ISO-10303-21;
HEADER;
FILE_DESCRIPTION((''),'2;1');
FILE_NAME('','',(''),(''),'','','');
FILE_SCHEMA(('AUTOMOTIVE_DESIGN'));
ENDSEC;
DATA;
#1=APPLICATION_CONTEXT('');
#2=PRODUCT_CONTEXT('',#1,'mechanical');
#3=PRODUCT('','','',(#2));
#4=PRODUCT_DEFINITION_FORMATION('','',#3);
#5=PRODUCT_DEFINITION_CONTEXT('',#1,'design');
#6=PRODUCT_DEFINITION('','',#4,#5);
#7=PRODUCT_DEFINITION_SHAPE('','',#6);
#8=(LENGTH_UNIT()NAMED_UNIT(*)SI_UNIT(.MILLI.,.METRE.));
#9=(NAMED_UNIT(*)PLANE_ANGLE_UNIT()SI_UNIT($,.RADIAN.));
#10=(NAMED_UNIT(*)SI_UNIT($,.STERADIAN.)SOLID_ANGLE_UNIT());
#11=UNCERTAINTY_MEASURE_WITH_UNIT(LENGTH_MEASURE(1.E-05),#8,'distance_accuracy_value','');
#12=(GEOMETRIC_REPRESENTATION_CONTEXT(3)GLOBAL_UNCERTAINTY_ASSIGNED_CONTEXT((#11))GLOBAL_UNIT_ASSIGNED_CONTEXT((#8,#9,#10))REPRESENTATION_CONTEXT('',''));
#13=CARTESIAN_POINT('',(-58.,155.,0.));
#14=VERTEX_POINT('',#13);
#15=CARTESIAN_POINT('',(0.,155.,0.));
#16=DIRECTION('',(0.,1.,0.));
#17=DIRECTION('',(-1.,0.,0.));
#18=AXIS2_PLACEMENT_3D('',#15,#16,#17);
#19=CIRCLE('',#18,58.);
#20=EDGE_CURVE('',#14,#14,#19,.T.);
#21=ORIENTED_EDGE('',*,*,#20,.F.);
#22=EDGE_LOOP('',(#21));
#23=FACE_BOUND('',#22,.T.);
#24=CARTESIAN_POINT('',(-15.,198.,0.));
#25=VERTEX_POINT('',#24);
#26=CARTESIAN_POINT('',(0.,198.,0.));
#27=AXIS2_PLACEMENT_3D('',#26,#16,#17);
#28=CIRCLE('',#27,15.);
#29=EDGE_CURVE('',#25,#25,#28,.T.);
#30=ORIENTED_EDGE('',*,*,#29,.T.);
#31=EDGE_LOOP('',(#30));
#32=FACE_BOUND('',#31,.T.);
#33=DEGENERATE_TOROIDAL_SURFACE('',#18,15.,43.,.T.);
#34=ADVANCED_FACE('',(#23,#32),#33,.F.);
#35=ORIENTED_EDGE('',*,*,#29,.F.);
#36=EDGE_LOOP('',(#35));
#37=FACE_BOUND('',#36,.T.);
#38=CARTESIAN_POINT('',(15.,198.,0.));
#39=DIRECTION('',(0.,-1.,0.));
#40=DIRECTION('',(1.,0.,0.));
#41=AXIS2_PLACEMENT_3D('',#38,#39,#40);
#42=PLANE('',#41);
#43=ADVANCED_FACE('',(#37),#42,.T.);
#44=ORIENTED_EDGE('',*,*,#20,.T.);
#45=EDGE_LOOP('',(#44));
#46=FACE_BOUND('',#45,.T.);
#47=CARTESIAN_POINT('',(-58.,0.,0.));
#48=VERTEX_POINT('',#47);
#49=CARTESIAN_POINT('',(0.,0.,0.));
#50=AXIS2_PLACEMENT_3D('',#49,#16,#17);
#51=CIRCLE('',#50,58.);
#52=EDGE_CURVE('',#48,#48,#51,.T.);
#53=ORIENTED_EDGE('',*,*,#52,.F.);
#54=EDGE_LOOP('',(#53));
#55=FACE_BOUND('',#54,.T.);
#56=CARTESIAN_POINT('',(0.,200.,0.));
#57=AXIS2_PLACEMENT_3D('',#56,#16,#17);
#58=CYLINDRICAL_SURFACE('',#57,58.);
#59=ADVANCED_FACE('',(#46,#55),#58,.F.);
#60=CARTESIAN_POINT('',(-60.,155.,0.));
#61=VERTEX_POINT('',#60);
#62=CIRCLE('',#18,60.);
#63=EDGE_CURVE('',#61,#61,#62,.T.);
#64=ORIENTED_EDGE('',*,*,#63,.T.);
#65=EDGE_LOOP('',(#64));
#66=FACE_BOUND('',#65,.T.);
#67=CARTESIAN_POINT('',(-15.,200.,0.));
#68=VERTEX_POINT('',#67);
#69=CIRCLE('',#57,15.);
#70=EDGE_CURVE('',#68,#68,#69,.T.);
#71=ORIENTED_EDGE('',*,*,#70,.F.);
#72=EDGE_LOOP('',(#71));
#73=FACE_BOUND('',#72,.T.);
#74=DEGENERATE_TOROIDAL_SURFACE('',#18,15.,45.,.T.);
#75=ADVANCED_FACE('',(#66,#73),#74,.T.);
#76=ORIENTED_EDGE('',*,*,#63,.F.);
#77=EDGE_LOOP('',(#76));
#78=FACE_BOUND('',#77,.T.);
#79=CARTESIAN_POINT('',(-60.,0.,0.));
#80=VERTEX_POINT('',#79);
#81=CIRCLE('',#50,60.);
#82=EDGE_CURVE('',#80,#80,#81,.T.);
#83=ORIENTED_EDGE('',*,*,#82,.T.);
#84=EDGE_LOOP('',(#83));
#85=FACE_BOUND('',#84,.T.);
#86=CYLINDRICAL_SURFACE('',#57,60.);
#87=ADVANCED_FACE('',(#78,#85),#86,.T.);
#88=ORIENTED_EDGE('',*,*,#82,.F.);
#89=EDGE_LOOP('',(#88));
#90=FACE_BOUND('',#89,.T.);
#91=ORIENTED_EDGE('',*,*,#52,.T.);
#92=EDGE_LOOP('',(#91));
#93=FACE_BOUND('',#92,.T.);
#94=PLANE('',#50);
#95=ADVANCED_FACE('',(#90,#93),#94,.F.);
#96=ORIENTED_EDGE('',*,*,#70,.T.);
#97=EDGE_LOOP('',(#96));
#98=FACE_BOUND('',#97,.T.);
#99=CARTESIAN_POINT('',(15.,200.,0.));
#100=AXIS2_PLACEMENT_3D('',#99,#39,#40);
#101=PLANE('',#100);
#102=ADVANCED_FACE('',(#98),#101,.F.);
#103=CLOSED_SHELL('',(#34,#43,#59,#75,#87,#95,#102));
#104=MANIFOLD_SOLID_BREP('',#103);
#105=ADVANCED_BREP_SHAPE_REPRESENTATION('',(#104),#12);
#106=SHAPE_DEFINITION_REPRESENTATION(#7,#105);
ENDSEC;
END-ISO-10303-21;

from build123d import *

# Parameters (mm, degrees)
SHELL3_T = -2


with BuildPart() as part:
    # Sketch1 → Revolve3 (revolve)
    with BuildSketch(Plane.XY, mode=Mode.PRIVATE) as revolve3_sk:
        with BuildLine():
            Line((0, 0), (60, 0))
            Line((60, 0), (60, 155))
            ThreePointArc((60, 155), (46.819805153, 186.819805153), (15, 200))
            Line((15, 200), (0, 200))
            Line((0, 200), (0, 0))
        make_face()
    revolve(revolve3_sk.sketch.rotate(Axis((0, 200, 0), (0, -1, 0)), 180), axis=Axis((0, 200, 0), (0, -1, 0)))

    # Shell3
    shell3_openings = [part.faces().sort_by_distance(p)[0] for p in [
        (0, 0, 0),
    ]]
    offset(amount=SHELL3_T, openings=shell3_openings, kind=Kind.INTERSECTION)


solid = part.part
